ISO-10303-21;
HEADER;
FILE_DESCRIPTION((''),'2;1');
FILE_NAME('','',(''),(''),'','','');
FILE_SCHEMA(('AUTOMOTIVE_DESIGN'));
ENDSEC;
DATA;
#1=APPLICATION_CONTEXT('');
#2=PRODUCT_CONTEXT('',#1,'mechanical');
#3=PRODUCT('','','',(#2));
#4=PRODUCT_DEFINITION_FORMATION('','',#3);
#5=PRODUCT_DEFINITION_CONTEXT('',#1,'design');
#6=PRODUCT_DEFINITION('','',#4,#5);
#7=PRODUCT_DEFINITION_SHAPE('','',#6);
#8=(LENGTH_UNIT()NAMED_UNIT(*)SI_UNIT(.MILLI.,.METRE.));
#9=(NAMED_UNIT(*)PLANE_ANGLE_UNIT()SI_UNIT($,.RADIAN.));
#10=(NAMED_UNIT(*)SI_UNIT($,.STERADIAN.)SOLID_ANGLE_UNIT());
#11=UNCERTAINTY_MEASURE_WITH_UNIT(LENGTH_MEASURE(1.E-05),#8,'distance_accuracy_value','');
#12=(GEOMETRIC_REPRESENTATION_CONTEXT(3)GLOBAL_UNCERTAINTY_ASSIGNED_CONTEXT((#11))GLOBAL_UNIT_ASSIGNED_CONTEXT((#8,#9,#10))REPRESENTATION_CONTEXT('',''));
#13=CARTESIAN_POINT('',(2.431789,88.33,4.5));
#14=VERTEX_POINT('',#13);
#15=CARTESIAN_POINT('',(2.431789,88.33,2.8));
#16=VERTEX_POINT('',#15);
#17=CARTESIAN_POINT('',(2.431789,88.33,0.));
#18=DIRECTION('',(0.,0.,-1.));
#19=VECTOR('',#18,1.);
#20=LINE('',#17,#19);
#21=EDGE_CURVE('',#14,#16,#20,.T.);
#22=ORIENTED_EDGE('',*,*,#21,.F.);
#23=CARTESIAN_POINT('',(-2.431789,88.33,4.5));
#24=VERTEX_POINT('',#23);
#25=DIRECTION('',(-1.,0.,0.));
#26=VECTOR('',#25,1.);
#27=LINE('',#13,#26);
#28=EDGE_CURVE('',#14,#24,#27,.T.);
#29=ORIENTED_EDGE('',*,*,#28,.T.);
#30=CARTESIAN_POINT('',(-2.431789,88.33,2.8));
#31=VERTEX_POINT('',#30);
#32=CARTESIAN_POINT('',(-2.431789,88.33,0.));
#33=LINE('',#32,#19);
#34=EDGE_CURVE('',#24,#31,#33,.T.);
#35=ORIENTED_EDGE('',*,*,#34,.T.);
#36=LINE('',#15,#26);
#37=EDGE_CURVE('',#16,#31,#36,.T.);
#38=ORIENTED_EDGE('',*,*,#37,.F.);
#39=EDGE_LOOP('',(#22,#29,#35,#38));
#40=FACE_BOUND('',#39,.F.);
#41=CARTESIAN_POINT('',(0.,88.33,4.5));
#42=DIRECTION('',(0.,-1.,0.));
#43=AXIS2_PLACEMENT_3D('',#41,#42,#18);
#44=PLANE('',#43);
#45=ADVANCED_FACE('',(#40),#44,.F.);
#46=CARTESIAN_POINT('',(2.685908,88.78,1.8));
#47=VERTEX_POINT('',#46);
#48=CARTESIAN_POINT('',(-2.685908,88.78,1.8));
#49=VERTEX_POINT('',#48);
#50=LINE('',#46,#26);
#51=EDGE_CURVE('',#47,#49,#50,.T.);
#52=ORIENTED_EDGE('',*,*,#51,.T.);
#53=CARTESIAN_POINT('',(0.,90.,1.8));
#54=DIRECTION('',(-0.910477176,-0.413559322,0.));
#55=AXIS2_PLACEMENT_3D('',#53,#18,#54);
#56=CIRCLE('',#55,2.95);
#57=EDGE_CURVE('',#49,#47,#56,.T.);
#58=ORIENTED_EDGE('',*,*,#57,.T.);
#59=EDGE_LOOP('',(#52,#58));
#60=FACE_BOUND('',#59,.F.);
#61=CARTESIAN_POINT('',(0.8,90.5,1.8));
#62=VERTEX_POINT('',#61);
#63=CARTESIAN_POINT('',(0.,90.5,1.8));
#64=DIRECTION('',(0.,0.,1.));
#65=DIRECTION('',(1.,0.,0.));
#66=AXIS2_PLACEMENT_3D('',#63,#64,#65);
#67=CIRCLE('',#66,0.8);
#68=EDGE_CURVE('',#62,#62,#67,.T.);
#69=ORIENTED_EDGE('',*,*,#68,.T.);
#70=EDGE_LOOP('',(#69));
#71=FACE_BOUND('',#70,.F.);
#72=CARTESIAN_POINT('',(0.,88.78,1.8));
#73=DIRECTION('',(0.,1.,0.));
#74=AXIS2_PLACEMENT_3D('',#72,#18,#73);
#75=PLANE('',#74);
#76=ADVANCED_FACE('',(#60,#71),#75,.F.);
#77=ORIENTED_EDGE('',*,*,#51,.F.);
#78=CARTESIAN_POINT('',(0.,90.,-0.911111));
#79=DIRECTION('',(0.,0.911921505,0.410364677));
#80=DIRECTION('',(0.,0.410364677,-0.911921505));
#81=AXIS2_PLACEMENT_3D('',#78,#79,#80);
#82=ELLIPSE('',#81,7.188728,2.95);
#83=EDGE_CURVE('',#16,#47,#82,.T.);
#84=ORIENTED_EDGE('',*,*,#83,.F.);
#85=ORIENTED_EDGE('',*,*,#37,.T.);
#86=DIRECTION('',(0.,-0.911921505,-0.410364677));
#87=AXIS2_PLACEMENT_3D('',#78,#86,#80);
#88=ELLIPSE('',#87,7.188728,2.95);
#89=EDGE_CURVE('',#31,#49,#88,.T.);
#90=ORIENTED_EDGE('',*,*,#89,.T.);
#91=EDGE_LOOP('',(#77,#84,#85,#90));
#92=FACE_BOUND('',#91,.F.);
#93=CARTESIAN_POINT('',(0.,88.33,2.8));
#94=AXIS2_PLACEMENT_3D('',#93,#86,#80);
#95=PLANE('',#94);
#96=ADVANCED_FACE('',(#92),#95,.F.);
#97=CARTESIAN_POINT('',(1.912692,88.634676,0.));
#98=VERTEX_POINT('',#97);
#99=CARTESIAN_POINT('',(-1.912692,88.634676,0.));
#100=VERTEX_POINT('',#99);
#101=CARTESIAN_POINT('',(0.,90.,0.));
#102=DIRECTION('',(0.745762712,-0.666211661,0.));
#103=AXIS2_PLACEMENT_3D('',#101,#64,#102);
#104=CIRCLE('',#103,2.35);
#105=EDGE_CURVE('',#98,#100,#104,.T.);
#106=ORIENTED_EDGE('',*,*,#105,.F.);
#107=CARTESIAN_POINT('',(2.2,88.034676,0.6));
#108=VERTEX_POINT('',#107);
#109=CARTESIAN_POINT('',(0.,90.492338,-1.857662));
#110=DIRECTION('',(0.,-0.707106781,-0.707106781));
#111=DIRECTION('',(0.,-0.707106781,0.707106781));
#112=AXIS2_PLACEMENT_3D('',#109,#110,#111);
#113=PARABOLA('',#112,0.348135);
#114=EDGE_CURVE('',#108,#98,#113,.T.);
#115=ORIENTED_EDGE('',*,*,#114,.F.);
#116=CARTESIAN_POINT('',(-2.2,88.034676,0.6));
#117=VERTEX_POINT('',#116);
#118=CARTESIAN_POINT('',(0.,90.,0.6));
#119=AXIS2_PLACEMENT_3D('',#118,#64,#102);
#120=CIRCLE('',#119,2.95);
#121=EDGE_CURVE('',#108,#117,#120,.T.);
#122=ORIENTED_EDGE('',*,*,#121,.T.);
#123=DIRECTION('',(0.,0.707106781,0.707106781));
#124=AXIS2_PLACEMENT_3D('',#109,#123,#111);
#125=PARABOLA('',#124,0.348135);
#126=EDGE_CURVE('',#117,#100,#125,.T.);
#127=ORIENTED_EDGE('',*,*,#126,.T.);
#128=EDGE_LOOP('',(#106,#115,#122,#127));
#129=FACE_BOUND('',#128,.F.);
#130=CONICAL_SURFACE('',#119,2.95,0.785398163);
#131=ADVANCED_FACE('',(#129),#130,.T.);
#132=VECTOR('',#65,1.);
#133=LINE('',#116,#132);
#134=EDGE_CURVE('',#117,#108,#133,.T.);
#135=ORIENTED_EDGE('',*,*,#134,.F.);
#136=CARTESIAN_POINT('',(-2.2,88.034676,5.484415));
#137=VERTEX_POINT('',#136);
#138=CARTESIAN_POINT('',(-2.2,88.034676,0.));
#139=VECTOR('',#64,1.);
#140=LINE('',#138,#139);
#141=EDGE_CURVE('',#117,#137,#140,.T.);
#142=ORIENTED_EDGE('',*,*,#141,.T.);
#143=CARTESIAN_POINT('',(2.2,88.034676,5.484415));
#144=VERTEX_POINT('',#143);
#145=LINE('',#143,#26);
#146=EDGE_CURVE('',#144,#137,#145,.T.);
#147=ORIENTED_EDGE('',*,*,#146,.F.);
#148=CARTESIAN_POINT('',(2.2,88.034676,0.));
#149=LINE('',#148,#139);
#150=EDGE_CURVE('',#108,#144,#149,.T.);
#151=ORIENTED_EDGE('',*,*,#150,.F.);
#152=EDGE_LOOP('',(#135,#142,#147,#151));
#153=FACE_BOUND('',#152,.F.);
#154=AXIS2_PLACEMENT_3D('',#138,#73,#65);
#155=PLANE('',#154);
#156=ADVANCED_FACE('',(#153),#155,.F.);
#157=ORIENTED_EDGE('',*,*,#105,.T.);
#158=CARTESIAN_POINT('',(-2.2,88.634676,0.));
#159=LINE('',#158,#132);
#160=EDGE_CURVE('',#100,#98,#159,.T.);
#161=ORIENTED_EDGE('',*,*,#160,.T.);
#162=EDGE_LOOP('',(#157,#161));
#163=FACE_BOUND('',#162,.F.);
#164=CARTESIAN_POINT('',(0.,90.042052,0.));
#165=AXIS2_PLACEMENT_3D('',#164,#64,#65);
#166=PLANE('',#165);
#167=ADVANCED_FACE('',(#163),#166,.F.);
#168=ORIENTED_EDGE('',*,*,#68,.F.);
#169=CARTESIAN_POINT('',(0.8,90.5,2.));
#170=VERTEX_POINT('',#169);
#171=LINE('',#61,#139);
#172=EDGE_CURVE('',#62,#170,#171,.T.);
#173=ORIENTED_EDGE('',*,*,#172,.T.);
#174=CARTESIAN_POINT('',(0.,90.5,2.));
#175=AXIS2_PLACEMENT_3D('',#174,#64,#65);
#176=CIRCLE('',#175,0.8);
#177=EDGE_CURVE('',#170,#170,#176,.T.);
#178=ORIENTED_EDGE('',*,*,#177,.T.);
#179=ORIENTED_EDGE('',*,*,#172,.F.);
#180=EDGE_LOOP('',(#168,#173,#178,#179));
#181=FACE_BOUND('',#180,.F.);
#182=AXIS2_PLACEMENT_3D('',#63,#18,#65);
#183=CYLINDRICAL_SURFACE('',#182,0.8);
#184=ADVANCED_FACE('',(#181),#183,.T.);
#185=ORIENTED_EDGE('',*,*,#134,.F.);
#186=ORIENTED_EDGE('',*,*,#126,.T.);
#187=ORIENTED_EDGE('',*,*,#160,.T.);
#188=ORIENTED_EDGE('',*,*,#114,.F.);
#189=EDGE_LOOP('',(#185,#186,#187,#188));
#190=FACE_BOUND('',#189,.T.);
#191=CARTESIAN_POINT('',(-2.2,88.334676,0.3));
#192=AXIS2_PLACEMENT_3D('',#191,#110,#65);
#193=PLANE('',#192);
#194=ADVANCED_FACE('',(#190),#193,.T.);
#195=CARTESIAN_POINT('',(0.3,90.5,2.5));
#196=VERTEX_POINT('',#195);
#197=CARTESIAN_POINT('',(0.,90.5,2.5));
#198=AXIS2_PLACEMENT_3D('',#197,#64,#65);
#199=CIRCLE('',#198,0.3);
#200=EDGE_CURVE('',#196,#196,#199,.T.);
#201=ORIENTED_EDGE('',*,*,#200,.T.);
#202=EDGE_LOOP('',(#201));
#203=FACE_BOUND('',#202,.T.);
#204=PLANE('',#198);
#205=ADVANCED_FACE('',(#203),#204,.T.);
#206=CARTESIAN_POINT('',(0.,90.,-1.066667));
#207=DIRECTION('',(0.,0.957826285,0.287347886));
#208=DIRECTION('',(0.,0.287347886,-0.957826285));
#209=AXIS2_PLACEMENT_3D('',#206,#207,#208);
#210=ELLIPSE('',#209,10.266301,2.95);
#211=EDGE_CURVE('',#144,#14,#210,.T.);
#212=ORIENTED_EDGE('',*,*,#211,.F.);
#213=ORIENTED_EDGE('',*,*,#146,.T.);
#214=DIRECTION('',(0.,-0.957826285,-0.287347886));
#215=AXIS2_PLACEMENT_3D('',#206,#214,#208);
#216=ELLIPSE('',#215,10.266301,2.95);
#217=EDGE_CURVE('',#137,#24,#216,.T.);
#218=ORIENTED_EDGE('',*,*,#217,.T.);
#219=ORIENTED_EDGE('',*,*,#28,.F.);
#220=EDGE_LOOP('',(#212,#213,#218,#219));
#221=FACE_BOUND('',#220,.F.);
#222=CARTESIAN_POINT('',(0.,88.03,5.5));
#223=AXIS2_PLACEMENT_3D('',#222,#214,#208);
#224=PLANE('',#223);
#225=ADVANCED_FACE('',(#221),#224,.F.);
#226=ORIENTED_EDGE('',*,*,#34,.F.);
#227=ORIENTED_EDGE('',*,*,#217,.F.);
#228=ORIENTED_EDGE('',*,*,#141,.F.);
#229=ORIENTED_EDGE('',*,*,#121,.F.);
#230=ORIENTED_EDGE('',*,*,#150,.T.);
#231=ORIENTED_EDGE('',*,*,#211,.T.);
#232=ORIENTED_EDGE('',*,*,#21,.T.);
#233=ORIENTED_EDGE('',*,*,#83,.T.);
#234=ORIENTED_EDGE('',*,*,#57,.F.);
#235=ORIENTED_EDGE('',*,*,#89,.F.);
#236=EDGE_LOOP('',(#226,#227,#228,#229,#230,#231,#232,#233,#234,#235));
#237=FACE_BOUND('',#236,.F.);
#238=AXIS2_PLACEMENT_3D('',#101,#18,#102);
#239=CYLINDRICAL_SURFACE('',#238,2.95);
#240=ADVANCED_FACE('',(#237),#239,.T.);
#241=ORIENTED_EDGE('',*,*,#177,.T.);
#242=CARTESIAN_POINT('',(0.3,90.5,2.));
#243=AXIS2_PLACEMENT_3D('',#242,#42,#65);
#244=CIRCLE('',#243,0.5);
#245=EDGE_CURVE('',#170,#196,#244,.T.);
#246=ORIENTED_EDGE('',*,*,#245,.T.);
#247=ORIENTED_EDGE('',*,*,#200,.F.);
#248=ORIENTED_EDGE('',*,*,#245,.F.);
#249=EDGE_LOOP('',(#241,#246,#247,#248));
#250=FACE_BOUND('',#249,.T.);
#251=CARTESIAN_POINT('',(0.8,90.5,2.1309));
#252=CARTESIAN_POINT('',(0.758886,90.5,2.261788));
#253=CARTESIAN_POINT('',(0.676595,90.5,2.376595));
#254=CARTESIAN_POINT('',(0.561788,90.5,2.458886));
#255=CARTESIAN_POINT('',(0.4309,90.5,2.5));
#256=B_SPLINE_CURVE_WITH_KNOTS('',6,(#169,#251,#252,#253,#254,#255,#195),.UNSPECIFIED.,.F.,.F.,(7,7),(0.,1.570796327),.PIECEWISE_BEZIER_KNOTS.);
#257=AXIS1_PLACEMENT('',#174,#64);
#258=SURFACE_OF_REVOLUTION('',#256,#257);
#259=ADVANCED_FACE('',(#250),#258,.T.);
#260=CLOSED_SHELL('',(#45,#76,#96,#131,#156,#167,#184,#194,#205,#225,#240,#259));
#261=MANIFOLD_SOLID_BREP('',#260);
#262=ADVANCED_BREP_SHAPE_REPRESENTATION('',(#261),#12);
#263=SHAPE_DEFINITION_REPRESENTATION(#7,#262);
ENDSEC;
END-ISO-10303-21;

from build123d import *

# Parameters (mm, degrees)
PAD003_DEPTH         = 5.5
POCKET004_DEPTH      = 2.951
POCKET004_DEPTH_BACK = 2.951
SKETCH013_R          = 0.8
PAD006_DEPTH         = 0.7
FILLET_R             = 0.5
CHAMFER004_SIZE      = 0.6


with BuildPart() as part:
    # Sketch004 → Pad003 (new body)
    with BuildSketch(Plane.XY):
        with BuildLine():
            ThreePointArc((2.2, -1.9653244007), (0, 2.95), (-2.2, -1.9653244007))
            Line((-2.2, -1.9653244007), (2.2, -1.9653244007))
        make_face()
    extrude(amount=PAD003_DEPTH)

    # Sketch014 → Pocket004 (cut, two sides)
    with BuildSketch(Plane.YZ) as pocket004_sk:
        Polygon((-1.97, 5.5), (-1.67, 4.5), (-1.67, 2.8), (-1.22, 1.8), (4, 1.8), (4, 5.5), align=None)
    extrude(amount=-POCKET004_DEPTH, mode=Mode.SUBTRACT)
    extrude(pocket004_sk.sketch, amount=POCKET004_DEPTH_BACK, mode=Mode.SUBTRACT)

    # Sketch013 (on Face7 of Pocket004) → Pad006 (join)
    with BuildSketch(Plane.XY.offset(1.8)):
        with Locations((0, 0.5)):
            Circle(SKETCH013_R)
    extrude(amount=PAD006_DEPTH)

    # Fillet
    fillet_edges = [part.edges().sort_by_distance(p)[0] for p in [
        (-0.8, 0.5, 2.5),
    ]]
    fillet(fillet_edges, radius=FILLET_R)

    # Chamfer004
    chamfer004_edges = [part.edges().sort_by_distance(p)[0] for p in [
        (0, 2.95, 0),
        (0, -1.965324, 0),
    ]]
    chamfer(chamfer004_edges, length=CHAMFER004_SIZE)


with BuildPart() as part_1:
    # Body034 placement: moved
    add(part.part.moved(Location((0, 90, 0))))


solid = part_1.part
